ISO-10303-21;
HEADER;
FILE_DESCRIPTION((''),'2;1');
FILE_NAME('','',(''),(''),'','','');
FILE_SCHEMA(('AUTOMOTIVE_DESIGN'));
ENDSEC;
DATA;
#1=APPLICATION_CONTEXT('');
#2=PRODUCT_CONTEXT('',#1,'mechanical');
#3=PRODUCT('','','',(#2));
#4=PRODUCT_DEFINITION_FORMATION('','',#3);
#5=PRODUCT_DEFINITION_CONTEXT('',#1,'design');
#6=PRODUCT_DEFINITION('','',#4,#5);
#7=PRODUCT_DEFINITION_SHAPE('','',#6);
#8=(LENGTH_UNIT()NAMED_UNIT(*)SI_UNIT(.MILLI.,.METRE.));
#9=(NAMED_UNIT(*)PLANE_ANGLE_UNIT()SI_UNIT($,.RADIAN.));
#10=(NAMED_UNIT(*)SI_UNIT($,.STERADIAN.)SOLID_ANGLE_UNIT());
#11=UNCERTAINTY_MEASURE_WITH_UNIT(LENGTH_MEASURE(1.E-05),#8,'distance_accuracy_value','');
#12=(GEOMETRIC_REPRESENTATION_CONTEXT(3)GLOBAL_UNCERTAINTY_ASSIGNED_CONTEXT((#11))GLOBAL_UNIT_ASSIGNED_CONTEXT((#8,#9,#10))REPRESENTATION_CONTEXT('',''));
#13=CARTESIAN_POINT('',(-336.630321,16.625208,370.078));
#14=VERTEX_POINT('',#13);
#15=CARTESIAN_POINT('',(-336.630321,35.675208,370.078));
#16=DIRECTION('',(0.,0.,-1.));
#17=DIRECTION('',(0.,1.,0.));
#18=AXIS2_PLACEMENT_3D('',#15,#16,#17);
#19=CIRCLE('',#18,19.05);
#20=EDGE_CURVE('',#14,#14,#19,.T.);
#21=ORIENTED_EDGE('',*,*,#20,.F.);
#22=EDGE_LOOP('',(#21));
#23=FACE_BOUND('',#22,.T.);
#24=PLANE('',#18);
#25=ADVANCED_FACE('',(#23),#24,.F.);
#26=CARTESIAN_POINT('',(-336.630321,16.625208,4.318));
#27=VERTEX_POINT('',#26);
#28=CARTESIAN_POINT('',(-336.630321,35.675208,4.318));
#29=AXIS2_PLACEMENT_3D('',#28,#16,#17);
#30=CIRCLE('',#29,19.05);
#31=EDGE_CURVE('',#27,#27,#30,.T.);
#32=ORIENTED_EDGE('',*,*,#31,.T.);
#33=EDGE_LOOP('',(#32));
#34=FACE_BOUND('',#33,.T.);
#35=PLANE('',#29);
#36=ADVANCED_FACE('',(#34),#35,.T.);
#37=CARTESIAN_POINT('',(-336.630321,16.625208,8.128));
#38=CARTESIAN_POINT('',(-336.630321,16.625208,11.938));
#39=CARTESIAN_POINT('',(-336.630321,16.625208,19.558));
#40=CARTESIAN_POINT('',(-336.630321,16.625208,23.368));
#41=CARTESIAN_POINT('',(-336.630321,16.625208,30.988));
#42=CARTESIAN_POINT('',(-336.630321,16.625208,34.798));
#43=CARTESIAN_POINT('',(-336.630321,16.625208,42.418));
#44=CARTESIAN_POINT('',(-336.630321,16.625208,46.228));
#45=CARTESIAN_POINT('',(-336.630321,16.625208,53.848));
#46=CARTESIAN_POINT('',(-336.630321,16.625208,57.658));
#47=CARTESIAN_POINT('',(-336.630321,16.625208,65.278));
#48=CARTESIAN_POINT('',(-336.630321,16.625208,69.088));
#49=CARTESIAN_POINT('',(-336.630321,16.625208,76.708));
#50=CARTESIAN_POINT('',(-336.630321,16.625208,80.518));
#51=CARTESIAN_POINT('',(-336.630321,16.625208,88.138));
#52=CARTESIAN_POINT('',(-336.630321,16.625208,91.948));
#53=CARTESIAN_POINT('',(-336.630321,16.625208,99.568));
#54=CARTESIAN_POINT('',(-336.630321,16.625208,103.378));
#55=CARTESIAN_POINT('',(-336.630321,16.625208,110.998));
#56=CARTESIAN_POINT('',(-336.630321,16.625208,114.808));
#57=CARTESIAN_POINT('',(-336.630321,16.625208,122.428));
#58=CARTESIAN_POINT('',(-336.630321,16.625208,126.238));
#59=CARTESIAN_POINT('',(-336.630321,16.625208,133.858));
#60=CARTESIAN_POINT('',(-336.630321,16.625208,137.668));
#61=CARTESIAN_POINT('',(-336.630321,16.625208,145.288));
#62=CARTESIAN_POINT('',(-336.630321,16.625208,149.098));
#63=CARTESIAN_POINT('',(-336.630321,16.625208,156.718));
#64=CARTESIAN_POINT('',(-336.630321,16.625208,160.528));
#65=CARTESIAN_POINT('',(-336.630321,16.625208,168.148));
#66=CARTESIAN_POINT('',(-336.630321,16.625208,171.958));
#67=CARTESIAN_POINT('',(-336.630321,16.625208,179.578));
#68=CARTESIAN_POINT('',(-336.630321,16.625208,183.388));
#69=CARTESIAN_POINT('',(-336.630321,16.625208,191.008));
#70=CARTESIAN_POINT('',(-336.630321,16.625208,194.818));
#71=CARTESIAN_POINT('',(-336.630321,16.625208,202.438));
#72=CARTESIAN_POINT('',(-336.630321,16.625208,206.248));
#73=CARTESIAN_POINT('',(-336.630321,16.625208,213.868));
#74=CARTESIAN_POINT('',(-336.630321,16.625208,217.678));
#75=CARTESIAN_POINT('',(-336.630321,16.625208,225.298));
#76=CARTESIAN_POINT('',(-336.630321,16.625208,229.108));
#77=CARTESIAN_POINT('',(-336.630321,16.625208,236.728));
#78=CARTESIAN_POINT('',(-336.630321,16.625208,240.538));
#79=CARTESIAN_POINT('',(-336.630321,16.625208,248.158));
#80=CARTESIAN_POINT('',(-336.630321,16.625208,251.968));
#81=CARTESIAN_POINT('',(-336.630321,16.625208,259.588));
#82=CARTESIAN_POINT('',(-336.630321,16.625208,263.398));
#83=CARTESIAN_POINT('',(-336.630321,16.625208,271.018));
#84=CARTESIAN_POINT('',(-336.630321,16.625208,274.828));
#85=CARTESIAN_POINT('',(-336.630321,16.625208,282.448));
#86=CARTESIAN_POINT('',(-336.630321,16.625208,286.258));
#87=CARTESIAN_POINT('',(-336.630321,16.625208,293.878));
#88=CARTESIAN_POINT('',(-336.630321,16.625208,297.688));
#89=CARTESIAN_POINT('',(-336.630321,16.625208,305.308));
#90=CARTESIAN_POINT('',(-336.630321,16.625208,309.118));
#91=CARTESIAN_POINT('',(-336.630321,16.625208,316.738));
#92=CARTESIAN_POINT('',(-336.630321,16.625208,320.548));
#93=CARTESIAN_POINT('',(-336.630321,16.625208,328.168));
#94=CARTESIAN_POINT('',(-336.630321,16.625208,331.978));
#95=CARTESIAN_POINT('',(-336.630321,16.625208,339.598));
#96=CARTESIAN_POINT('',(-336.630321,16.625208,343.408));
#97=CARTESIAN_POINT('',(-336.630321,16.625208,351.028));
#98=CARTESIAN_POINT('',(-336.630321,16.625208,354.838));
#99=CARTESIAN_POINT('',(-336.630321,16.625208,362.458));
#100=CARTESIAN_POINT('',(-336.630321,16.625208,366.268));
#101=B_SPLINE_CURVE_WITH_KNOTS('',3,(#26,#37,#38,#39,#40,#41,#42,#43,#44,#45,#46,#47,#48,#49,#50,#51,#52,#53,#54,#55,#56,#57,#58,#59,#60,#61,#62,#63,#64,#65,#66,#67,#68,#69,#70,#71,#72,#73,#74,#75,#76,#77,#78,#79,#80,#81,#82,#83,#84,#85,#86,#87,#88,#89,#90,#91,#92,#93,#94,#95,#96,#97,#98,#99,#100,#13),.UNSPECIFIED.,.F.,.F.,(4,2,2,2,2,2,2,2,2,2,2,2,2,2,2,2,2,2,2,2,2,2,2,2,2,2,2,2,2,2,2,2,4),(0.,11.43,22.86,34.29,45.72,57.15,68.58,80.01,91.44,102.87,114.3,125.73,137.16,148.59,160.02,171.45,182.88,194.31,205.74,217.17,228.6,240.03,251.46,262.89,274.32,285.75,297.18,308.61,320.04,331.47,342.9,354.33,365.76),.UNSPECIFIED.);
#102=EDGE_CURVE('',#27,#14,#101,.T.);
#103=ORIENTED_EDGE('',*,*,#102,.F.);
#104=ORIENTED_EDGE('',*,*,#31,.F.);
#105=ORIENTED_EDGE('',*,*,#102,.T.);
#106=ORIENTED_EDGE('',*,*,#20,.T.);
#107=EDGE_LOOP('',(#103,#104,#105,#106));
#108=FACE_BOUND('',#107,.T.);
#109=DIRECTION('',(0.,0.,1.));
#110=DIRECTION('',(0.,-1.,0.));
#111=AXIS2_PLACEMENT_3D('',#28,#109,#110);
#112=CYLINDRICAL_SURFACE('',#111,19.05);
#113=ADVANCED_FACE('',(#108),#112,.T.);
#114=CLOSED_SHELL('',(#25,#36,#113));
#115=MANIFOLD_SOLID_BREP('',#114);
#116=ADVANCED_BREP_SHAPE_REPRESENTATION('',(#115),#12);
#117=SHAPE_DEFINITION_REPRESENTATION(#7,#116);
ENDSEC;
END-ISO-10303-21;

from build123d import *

# Parameters (mm, degrees)
SKETCH2_R           = 19.05
BOSS_EXTRUDE1_DEPTH = 182.88


with BuildPart() as part:
    # Sketch2 → Boss-Extrude1 (new, symmetric)
    with BuildSketch(Plane(origin=(-89.743083245, 20.594922527, 187.198), x_dir=(-0.9717747194470234, -0.2359107768705339, 0), z_dir=(0, 0, -1))):
        with Locations(Location((236.361174504, 72.898, 0), (0, 0, 283.645316024))):
            Circle(SKETCH2_R)
    extrude(amount=BOSS_EXTRUDE1_DEPTH, both=True)


solid = part.part
